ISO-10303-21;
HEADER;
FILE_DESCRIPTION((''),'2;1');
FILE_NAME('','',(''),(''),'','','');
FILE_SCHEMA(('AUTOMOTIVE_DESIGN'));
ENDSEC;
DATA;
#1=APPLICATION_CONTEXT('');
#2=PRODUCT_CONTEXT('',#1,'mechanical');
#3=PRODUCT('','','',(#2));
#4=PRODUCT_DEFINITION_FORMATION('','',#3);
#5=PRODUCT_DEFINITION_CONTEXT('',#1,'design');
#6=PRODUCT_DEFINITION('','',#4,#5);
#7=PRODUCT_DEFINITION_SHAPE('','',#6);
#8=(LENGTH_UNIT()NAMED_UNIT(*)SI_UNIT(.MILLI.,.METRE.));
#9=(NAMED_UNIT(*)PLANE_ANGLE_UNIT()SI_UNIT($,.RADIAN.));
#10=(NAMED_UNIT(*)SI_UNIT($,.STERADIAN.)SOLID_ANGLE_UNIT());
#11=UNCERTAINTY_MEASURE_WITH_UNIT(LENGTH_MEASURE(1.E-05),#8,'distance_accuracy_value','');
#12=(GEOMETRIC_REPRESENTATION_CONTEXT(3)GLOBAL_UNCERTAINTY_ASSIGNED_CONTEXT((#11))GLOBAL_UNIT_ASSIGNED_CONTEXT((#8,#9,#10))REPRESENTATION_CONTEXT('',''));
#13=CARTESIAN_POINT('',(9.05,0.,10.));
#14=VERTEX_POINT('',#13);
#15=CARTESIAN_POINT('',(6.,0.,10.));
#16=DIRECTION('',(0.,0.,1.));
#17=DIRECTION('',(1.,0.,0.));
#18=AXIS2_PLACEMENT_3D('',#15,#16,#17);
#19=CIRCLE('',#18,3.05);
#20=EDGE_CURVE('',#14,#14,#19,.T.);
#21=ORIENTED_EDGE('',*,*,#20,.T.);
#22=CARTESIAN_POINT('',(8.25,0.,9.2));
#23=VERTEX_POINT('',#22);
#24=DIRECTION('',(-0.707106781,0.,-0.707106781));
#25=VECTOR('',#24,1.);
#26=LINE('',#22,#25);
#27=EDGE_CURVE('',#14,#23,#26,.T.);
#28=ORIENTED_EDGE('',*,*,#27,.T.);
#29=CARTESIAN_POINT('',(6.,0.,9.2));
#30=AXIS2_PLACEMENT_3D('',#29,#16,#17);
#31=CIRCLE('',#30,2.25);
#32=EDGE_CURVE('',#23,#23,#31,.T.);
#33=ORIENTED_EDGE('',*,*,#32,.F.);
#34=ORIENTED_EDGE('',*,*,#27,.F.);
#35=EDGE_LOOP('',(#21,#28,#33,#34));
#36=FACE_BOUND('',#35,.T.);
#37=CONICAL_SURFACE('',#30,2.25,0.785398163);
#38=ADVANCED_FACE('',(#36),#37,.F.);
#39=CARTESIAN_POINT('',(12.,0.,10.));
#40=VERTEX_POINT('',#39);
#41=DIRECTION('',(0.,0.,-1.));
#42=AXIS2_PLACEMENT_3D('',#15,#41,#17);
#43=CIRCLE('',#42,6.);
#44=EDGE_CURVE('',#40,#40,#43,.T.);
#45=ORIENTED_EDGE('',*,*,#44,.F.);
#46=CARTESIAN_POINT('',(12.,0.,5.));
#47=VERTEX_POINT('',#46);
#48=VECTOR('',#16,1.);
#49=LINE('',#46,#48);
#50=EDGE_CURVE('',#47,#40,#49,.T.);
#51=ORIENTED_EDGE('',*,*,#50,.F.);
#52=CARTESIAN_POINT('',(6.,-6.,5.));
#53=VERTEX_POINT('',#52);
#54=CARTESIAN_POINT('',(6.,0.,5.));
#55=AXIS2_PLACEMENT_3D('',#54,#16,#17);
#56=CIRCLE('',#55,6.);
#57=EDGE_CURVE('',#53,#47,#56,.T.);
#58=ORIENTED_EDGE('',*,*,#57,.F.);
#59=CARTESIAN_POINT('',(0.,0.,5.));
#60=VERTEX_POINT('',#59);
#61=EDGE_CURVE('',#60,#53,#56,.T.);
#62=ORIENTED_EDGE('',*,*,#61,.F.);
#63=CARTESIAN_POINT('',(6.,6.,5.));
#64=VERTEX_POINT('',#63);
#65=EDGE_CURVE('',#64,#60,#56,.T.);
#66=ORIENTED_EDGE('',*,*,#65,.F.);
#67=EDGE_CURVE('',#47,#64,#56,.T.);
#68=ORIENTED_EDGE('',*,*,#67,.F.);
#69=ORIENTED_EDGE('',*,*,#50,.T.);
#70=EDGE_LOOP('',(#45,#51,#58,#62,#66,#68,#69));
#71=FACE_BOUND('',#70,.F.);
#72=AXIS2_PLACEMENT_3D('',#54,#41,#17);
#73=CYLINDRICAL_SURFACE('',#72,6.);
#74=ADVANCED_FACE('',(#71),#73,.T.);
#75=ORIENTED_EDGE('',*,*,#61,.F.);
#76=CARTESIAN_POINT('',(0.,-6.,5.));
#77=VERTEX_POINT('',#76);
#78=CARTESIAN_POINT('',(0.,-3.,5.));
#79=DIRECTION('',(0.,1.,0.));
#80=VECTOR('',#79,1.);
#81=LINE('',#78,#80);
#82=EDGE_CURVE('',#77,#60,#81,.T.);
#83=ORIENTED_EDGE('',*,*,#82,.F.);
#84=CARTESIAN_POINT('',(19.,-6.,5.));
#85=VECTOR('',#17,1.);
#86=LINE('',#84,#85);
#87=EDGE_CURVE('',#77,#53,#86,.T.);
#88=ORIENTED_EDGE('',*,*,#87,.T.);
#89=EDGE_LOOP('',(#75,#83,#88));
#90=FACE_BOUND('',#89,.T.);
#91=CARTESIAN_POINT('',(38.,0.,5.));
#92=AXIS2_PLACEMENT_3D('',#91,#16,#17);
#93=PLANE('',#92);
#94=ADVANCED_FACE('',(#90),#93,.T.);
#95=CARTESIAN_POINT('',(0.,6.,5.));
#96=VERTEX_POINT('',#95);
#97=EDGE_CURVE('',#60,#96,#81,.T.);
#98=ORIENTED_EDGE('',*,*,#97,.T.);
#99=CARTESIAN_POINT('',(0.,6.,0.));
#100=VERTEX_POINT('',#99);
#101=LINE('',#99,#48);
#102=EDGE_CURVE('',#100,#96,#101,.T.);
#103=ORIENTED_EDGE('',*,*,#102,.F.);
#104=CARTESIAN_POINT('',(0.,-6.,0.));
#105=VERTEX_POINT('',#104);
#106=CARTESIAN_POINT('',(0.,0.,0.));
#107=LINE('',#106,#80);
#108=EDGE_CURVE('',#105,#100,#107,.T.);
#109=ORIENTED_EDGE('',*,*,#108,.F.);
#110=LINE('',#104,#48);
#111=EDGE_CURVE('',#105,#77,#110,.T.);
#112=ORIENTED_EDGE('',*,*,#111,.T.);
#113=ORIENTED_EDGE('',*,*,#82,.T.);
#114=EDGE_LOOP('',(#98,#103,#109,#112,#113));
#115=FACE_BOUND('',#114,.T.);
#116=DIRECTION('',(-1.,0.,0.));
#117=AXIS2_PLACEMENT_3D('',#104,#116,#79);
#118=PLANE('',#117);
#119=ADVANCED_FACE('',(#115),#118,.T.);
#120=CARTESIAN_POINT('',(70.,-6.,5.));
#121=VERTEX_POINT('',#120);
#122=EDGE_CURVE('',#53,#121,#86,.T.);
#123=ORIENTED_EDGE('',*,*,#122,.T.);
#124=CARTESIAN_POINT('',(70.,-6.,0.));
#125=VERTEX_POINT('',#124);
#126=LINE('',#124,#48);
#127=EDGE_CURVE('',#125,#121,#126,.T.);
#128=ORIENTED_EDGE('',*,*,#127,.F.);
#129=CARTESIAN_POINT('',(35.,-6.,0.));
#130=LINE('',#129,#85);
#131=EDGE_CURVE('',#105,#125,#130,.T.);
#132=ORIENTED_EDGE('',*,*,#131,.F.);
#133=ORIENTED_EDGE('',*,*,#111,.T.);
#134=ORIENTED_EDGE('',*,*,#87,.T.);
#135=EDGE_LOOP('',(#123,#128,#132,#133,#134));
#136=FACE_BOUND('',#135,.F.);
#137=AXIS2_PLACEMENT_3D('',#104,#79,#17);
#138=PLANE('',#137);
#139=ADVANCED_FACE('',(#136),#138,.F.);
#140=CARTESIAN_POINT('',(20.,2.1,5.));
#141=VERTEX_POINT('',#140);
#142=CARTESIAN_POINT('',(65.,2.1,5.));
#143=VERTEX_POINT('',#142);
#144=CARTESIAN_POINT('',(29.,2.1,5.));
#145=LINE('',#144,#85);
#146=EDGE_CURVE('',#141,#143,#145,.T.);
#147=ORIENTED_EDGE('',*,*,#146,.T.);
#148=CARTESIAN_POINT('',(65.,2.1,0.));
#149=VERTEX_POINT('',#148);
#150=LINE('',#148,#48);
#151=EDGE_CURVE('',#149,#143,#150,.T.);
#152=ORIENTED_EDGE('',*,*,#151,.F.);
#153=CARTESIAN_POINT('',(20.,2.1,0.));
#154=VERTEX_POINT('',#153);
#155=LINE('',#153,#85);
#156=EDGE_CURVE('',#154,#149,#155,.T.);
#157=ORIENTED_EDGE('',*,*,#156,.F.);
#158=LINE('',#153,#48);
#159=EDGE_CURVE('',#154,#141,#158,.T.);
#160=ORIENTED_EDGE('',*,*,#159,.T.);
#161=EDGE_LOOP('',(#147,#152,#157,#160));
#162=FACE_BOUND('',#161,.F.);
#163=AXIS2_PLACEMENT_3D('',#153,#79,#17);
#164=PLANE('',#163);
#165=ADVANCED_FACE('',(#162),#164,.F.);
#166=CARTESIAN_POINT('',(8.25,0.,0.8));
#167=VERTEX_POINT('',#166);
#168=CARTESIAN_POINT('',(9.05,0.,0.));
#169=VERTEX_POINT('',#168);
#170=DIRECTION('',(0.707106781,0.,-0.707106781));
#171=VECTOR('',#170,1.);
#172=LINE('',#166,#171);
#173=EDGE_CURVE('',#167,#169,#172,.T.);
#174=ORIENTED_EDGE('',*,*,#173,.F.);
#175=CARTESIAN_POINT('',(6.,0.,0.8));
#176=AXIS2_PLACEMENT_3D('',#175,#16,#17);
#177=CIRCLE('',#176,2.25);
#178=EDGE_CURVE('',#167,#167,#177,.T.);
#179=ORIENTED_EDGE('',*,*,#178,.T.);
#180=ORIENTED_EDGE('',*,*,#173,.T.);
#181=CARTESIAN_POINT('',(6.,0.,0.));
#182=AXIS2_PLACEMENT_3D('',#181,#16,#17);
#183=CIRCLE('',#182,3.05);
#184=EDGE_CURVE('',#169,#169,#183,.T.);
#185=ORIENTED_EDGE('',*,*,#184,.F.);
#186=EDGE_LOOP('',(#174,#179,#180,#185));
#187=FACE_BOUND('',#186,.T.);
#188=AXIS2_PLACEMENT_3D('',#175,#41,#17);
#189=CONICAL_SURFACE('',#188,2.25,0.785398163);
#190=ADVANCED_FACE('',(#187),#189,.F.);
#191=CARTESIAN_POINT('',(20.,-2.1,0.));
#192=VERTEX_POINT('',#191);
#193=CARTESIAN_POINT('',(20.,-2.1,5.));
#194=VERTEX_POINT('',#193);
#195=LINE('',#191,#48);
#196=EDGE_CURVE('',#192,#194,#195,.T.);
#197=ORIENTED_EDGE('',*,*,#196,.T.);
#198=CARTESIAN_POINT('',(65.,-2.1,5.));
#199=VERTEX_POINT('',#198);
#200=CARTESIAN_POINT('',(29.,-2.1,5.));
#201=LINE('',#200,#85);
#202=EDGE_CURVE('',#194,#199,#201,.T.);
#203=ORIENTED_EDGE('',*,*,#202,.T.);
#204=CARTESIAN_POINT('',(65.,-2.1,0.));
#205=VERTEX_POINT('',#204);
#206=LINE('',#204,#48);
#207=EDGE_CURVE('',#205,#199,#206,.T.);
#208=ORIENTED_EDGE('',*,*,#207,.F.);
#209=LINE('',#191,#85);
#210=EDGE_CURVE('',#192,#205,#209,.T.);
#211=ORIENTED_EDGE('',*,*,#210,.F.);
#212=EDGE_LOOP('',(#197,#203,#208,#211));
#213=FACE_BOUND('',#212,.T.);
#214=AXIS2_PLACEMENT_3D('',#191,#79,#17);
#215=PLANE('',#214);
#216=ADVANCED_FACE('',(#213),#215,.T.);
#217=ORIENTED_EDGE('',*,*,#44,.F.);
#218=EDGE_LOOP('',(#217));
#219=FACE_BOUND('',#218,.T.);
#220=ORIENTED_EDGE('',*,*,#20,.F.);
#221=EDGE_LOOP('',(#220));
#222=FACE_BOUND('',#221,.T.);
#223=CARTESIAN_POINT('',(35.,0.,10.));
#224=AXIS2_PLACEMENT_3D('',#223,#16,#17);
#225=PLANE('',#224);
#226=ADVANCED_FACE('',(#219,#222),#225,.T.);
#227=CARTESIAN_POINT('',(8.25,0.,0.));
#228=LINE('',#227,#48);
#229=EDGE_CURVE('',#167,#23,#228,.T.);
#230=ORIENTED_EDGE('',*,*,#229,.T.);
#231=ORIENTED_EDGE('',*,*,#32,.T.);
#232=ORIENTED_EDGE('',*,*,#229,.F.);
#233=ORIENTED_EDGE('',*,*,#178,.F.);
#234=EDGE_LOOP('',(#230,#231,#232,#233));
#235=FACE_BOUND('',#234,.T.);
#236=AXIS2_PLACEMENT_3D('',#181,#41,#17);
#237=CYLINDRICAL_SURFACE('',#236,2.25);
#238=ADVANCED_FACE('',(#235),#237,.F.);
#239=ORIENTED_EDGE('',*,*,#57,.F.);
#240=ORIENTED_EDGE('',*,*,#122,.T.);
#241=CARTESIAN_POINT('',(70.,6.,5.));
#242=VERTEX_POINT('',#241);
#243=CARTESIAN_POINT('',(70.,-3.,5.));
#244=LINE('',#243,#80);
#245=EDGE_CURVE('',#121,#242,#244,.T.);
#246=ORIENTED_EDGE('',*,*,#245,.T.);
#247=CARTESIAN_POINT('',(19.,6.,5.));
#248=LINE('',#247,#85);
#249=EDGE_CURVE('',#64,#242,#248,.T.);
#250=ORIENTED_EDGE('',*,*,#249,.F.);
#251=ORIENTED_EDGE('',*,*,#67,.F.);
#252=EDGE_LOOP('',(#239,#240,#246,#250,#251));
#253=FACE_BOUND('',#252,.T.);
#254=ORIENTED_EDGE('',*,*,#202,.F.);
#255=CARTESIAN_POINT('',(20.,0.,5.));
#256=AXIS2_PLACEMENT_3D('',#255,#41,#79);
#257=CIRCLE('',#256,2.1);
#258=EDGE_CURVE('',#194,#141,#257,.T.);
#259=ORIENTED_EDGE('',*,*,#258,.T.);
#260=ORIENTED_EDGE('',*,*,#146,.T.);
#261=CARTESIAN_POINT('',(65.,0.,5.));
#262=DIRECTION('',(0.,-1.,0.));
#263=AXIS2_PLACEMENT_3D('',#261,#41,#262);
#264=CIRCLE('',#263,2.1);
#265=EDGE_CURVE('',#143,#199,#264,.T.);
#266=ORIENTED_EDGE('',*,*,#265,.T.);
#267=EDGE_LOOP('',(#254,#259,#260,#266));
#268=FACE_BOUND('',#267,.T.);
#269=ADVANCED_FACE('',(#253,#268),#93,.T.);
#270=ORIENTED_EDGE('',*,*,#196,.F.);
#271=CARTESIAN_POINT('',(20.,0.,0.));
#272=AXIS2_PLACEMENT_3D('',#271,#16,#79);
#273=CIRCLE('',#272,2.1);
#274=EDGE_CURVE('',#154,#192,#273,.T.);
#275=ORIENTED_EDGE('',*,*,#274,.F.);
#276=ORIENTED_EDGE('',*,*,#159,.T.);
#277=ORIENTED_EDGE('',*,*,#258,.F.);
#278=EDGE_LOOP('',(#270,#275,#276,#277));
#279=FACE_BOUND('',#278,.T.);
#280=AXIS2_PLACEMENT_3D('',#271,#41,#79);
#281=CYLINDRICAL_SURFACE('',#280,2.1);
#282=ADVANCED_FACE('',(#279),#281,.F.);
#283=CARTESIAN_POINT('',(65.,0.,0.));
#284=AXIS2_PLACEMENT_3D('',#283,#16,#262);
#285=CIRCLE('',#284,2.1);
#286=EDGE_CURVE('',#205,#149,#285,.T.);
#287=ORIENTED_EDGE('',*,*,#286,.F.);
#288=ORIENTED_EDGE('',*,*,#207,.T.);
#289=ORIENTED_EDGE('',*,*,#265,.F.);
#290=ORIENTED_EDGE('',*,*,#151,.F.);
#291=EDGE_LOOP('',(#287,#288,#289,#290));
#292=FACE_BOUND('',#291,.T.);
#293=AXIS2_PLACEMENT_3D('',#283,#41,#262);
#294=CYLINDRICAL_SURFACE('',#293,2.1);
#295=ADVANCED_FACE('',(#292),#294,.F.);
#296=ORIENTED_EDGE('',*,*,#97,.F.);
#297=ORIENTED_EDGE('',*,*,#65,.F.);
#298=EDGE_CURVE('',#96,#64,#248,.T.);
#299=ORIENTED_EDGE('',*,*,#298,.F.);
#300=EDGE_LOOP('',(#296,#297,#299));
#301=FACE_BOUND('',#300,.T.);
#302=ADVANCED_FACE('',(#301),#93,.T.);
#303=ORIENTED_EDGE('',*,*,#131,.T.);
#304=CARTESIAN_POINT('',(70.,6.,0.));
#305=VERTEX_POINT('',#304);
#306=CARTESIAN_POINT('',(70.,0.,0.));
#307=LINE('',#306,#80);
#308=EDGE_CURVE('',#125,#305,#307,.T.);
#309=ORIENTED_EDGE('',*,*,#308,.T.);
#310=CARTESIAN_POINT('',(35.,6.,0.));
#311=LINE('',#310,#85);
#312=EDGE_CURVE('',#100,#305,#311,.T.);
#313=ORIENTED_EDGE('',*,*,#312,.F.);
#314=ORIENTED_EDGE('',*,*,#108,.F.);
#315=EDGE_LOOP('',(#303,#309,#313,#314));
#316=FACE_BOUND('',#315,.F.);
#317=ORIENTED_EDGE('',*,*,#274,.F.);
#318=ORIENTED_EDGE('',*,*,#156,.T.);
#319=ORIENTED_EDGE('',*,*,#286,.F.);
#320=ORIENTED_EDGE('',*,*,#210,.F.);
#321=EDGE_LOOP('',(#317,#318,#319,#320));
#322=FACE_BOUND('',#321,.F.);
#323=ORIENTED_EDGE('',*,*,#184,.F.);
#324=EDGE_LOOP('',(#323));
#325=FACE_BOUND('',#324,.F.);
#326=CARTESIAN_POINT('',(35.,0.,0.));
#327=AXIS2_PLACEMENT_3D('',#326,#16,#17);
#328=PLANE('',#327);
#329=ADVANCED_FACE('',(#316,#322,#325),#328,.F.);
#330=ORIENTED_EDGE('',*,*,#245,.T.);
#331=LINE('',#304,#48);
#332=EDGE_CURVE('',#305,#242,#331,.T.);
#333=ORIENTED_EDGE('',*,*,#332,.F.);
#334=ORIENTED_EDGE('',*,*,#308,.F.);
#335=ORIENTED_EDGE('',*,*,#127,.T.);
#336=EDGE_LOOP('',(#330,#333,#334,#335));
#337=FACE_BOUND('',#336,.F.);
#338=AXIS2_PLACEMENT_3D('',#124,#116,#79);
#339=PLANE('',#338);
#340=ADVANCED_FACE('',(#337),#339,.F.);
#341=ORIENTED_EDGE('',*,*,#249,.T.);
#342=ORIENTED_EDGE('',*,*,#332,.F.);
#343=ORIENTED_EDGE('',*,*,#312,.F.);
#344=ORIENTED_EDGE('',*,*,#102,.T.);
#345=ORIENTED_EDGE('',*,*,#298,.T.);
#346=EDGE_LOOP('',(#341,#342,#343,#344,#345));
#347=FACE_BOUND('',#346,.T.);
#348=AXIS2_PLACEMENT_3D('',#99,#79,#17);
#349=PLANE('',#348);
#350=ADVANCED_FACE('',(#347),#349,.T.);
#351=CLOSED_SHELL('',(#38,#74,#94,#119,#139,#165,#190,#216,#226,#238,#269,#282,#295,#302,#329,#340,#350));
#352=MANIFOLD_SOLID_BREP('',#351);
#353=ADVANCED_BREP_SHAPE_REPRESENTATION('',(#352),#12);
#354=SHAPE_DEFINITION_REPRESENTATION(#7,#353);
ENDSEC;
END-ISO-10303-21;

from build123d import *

# Parameters (mm, degrees)
SKETCH001_W      = 90
SKETCH001_H      = 20
SKETCH001_R      = 6
EXTRUDE001_DEPTH = 5
SKETCH_W         = 70
SKETCH_H         = 12
SKETCH_R         = 2.25
EXTRUDE_DEPTH    = 10
CHAMFER_SIZE     = 0.8


with BuildPart() as extrude001:
    # Sketch001 → Extrude001 (new body)
    with BuildSketch(Plane.XY):
        with Locations((38, 0)):
            Rectangle(SKETCH001_W, SKETCH001_H)
        with Locations((6, 0)):
            Circle(SKETCH001_R, mode=Mode.SUBTRACT)
    extrude(amount=EXTRUDE001_DEPTH)


with BuildPart() as extrude001_1:
    # Extrude001 placement: moved
    add(extrude001.part.moved(Location((0, 0, 5))))


with BuildPart() as chamfer_body:
    # Sketch → Extrude (new body)
    with BuildSketch(Plane.XY):
        with Locations((35, 0)):
            Rectangle(SKETCH_W, SKETCH_H)
        with Locations((6, 0)):
            Circle(SKETCH_R, mode=Mode.SUBTRACT)
        with BuildLine():
            ThreePointArc((20, 2.1), (17.9, 0), (20, -2.1))
            Line((20, -2.1), (65, -2.1))
            ThreePointArc((65, -2.1), (67.1, 0), (65, 2.1))
            Line((20, 2.1), (65, 2.1))
        make_face(mode=Mode.SUBTRACT)
    extrude(amount=EXTRUDE_DEPTH)

    # Cut: cut Extrude001
    add(extrude001_1.part, mode=Mode.SUBTRACT)

    # Chamfer
    chamfer_edges = [chamfer_body.edges().sort_by_distance(p)[0] for p in [
        (3.75, 0, 0),
        (3.75, 0, 10),
    ]]
    chamfer(chamfer_edges, length=CHAMFER_SIZE)


solid = chamfer_body.part
